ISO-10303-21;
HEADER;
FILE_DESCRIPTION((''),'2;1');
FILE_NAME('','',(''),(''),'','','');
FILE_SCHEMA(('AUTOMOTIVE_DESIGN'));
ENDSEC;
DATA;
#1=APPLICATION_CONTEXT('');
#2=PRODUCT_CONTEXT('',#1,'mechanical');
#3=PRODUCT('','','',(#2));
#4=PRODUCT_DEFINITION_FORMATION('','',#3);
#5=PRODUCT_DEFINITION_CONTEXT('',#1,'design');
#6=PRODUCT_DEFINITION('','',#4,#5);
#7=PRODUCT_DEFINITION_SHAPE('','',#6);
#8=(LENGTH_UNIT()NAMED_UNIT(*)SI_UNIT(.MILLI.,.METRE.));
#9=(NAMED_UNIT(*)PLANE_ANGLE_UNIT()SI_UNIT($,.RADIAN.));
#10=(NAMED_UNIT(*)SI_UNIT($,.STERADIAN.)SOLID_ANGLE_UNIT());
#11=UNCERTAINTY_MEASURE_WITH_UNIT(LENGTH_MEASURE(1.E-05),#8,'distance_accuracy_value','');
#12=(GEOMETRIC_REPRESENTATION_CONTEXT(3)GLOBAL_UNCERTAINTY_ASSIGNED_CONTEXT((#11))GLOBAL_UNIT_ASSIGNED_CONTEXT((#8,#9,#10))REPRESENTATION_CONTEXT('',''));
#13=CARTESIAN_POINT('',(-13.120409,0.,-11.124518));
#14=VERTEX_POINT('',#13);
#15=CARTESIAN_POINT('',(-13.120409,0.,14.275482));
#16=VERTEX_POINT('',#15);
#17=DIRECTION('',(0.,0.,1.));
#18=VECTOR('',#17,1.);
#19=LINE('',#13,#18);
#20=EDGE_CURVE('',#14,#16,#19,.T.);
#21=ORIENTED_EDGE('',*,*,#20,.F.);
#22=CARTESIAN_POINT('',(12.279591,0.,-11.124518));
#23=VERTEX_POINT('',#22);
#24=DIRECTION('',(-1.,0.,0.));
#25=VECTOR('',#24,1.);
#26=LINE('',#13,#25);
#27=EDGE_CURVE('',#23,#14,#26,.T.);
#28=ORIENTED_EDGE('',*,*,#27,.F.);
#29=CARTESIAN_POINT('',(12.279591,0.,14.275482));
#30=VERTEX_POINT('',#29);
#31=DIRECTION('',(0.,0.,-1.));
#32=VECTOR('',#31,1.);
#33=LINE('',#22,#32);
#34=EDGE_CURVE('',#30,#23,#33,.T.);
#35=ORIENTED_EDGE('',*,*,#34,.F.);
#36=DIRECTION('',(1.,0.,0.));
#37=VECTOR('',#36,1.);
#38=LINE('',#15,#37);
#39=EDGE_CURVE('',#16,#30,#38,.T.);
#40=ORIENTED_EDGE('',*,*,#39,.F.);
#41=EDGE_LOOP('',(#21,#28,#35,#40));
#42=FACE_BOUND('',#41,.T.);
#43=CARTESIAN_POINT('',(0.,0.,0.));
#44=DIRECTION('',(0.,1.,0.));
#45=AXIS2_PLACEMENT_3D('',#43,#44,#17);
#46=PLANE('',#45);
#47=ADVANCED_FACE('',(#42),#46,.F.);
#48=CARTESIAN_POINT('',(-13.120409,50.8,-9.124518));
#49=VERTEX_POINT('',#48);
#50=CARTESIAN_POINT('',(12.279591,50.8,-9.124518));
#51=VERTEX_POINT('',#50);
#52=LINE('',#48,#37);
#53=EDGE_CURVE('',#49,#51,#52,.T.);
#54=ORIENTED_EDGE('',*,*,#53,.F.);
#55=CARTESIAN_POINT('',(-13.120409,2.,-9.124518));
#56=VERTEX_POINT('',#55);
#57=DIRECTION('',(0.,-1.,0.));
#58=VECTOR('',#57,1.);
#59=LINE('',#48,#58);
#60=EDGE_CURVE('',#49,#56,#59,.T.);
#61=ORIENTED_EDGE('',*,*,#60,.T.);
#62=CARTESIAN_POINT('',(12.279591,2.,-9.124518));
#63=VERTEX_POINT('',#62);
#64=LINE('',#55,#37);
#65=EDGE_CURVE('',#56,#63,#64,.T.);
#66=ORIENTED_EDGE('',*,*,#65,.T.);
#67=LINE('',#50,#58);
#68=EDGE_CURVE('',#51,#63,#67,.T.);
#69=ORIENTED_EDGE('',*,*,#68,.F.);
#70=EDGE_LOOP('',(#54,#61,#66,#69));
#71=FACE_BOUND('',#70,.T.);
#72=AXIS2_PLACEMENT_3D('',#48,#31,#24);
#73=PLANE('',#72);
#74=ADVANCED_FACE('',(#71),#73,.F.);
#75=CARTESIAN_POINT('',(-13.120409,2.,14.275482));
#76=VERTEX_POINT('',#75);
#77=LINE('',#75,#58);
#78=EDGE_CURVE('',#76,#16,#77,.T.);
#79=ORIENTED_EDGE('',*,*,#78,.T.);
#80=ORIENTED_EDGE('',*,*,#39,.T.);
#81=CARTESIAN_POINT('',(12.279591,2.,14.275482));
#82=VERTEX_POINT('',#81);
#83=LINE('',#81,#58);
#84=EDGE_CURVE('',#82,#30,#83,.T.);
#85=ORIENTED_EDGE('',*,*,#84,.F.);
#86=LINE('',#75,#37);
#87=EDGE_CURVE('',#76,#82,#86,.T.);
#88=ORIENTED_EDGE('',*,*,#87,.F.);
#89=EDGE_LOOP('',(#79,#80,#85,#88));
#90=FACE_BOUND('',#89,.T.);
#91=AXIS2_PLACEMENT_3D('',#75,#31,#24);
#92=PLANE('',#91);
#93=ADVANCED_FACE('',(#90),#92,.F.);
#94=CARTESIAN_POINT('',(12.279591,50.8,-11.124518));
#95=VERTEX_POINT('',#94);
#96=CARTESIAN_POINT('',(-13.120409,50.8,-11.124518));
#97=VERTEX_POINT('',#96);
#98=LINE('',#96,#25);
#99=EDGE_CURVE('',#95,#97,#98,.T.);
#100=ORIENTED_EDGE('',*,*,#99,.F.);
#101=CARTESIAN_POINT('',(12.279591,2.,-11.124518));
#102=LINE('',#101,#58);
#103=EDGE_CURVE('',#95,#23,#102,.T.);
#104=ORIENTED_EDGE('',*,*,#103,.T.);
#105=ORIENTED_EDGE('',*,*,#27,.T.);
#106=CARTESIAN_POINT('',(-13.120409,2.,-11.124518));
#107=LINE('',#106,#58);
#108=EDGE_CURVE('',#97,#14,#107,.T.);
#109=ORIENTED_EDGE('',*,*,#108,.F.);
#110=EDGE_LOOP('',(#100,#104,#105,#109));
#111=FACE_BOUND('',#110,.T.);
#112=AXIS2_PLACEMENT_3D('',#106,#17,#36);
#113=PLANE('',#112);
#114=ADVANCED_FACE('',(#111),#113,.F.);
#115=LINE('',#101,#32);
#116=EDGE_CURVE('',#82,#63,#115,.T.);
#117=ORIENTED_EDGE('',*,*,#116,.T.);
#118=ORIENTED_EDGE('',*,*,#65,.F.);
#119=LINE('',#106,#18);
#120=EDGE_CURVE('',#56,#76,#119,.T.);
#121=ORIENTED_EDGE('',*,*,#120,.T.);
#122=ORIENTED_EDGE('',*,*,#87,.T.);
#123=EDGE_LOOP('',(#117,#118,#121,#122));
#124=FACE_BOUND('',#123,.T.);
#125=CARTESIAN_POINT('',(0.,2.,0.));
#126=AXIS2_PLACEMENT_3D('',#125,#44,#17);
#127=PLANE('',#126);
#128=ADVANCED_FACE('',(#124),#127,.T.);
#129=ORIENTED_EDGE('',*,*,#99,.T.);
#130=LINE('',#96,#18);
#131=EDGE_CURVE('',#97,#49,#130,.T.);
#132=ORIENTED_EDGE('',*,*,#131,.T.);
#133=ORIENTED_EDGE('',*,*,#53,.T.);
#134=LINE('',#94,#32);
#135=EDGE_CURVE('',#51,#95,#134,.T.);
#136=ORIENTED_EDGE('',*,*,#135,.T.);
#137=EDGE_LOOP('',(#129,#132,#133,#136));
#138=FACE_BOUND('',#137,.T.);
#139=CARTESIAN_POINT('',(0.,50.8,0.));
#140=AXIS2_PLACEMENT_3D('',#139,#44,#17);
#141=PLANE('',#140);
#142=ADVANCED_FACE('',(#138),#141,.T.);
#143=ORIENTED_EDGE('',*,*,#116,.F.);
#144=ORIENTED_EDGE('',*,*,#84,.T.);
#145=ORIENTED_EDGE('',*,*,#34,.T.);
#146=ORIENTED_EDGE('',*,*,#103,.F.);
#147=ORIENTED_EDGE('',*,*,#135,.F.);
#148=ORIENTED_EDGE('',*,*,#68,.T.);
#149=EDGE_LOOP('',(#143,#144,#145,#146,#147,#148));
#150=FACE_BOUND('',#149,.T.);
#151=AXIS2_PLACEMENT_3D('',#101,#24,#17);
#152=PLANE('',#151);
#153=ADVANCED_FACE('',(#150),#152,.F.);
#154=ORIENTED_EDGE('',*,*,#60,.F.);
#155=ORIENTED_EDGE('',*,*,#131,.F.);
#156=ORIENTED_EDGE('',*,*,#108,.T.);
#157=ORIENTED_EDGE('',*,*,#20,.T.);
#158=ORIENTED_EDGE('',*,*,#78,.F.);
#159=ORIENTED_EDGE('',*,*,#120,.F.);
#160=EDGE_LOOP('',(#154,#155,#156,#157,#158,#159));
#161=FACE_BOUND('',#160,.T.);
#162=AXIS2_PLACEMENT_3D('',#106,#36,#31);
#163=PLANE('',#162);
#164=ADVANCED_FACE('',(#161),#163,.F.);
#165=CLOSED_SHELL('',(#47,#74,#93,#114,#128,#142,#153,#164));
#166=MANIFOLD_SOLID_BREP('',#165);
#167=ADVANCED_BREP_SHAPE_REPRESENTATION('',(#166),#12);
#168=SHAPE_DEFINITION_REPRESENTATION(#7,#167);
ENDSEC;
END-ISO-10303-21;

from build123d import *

# Parameters (mm, degrees)
SKETCH1_W           = 25.4
SKETCH1_H           = 25.4
BOSS_EXTRUDE1_DEPTH = 2
SKETCH2_W           = 25.4
SKETCH2_H           = 2
BOSS_EXTRUDE2_DEPTH = 48.8


with BuildPart() as part:
    # Sketch1 → Boss-Extrude1 (new body)
    with BuildSketch(Plane(origin=(0, 0, 0), x_dir=(1, 0, 0), z_dir=(0, 1, 0))):
        with Locations((-0.420409016, -1.575482221)):
            Rectangle(SKETCH1_W, SKETCH1_H)
    extrude(amount=BOSS_EXTRUDE1_DEPTH)

    # Sketch2 → Boss-Extrude2 (add)
    with BuildSketch(Plane(origin=(0, 2, 0), x_dir=(1, 0, 0), z_dir=(0, 1, 0))):
        with Locations((-0.420409016, 10.124517779)):
            Rectangle(SKETCH2_W, SKETCH2_H)
    extrude(amount=BOSS_EXTRUDE2_DEPTH)


solid = part.part
